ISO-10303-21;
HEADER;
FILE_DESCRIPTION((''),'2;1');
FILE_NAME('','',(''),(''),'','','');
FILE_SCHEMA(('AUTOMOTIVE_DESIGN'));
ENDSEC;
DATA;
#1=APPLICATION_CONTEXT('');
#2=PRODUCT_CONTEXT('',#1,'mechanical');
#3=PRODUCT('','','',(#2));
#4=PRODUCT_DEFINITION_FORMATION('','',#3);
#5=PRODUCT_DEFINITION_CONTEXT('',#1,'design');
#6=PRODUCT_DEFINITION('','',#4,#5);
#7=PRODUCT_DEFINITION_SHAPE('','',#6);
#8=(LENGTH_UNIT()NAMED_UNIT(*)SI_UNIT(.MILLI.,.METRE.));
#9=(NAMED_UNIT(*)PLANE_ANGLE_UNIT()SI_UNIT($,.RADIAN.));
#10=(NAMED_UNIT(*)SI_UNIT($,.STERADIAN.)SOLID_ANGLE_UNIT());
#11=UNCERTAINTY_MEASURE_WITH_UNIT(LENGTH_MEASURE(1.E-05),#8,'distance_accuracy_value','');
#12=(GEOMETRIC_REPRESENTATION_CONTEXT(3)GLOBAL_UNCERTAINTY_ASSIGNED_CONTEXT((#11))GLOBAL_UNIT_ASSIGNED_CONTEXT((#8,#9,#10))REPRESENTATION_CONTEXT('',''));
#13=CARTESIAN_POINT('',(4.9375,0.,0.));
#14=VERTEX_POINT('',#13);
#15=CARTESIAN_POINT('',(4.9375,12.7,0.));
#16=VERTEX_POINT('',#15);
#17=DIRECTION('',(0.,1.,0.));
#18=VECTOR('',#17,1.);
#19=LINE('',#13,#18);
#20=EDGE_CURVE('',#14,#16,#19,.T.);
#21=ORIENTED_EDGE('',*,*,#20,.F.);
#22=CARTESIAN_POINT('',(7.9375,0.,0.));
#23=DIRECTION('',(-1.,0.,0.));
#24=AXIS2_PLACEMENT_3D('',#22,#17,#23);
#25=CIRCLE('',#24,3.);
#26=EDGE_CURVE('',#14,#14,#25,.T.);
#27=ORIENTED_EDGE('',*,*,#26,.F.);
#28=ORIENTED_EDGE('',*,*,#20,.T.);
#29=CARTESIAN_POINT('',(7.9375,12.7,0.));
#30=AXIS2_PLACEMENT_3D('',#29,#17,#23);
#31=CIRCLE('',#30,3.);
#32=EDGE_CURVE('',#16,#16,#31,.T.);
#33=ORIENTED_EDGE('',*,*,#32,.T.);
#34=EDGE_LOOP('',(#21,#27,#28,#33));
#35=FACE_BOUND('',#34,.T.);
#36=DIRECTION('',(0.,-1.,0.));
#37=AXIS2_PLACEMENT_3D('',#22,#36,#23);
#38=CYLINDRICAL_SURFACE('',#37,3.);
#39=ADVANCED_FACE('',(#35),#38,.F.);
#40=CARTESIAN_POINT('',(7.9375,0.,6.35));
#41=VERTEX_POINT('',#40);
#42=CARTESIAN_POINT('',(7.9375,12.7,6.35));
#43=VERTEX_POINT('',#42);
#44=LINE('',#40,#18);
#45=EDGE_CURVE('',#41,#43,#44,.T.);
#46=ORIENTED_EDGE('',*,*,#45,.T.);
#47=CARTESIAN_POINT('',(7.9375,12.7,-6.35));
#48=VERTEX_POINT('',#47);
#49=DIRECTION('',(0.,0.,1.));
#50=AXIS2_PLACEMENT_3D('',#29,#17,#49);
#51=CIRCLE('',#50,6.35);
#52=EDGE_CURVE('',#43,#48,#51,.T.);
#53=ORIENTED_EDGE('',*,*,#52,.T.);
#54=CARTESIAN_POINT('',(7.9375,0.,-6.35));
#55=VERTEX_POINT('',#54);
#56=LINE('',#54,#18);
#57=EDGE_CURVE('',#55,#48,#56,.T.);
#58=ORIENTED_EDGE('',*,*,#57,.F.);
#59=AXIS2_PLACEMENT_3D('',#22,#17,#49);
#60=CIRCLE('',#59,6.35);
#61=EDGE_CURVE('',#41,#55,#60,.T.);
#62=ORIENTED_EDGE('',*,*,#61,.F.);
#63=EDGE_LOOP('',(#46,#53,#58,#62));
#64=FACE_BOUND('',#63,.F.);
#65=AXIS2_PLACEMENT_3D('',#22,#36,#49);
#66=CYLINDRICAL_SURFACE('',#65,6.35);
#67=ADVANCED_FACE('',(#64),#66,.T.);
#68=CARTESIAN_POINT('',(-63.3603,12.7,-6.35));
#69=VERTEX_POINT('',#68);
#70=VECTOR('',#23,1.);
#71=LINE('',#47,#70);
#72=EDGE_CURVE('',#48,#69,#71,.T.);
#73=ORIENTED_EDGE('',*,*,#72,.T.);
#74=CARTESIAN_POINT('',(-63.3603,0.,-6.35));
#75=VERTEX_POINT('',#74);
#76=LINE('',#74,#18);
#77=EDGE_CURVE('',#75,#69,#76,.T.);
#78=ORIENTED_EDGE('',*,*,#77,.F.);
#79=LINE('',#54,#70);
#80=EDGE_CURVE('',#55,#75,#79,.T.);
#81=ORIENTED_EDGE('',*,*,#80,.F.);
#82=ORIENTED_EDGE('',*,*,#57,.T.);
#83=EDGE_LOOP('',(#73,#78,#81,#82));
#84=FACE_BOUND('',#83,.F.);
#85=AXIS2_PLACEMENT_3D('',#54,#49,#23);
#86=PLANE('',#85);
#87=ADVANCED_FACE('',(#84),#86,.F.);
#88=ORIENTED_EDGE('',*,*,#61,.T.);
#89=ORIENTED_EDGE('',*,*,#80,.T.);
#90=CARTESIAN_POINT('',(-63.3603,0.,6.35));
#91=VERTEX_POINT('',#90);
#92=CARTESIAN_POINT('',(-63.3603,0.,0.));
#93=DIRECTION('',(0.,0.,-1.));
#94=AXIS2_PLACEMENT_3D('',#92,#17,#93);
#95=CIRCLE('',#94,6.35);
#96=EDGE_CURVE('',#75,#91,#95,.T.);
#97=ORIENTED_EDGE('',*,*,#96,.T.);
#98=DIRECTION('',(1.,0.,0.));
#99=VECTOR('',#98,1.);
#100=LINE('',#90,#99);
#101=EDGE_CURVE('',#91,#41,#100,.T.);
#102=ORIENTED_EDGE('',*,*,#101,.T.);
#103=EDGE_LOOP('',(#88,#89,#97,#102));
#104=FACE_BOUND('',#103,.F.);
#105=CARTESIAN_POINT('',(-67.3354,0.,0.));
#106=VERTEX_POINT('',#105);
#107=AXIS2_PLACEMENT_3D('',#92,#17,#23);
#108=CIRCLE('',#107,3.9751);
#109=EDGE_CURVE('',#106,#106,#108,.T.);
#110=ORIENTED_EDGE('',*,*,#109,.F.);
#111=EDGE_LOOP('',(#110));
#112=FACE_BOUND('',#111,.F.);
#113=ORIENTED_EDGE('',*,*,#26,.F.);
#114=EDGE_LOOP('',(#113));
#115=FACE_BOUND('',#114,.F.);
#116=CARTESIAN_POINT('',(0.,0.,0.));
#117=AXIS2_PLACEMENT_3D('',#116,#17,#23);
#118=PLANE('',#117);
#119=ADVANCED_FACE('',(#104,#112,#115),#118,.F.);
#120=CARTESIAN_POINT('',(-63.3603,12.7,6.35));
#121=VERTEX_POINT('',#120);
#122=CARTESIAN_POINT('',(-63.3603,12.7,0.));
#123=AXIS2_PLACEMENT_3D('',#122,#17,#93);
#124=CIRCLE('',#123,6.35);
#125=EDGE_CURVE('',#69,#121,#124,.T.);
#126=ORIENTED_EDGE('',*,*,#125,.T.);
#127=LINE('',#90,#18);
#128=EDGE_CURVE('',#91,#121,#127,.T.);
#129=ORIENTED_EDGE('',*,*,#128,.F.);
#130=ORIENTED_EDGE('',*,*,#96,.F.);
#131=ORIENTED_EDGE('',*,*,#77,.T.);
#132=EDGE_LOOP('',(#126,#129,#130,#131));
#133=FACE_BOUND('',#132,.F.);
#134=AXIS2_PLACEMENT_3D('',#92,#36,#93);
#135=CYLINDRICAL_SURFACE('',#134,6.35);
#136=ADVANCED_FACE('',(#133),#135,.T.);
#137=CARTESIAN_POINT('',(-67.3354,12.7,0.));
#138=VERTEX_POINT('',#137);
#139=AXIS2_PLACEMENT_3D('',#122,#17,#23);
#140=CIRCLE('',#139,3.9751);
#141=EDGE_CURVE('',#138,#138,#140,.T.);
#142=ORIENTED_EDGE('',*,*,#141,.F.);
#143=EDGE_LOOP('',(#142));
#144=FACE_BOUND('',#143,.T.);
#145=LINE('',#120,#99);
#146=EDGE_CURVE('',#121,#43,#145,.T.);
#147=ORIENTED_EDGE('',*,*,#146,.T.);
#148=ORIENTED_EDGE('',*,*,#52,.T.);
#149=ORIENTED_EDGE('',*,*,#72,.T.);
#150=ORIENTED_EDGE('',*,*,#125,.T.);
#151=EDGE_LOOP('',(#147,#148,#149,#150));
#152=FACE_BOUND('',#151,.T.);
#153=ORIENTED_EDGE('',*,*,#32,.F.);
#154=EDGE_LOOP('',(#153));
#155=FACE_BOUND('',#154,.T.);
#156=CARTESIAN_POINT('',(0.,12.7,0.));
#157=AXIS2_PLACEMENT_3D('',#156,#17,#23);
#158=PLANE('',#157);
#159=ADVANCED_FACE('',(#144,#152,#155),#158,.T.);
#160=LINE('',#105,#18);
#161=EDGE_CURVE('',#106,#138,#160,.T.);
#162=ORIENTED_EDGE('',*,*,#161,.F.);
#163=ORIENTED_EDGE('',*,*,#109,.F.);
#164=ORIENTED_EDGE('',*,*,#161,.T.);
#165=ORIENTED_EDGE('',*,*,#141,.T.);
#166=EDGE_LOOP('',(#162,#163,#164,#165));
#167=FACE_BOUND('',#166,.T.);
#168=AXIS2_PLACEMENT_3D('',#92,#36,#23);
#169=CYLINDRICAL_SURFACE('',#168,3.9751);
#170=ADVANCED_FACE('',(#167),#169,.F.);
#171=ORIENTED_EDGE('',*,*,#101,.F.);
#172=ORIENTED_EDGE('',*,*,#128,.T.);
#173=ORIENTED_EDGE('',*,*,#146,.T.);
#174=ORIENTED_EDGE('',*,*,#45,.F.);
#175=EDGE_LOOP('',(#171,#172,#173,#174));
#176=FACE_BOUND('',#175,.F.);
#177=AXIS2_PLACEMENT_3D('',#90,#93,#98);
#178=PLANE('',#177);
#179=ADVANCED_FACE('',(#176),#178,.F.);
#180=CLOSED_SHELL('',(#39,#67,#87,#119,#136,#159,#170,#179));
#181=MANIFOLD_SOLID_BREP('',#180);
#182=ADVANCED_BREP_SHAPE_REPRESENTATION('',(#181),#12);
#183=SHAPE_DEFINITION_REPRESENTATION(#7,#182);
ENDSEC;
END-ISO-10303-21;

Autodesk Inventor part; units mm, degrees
ref_plane "YZ Plane" through (0, 0, 0) normal (1, 0, 0) x (0, 1, 0)
ref_plane "XZ Plane" through (0, 0, 0) normal (0, 1, 0) x (-1, 0, 0)
ref_plane "XY Plane" through (0, 0, 0) normal (0, 0, 1) x (1, 0, 0)
sketch "Sketch1" plane through (0, 0, 0) normal (0, 1, 0) x (-1, 0, 0)
  circle A0 centre (63.3603, 0) radius 3.9751
  circle A1 centre (-7.9375, 0) radius 3
  line L0 (63.3603, 6.35) -> (-7.9375, 6.35)
  line L1 (-7.9375, -6.35) -> (63.3603, -6.35)
  arc A2 (63.3603, -6.35) -> (63.3603, 6.35) centre (63.3603, 0) ccw
  arc A3 (-7.9375, 6.35) -> (-7.9375, -6.35) centre (-7.9375, 0) ccw
  point P0 (0, 0)
  dimension "d0" = 7.9502
  dimension "d1" = 6
  dimension "d3" = 12.7
  dimension "d4" = 12.7
  dimension "d7" = 71.2978
extrude "Extrusion1" add sketch "Sketch1" along normal blind 12.7
properties part number "Motor to Shaft Connection for Side to Side motion"
